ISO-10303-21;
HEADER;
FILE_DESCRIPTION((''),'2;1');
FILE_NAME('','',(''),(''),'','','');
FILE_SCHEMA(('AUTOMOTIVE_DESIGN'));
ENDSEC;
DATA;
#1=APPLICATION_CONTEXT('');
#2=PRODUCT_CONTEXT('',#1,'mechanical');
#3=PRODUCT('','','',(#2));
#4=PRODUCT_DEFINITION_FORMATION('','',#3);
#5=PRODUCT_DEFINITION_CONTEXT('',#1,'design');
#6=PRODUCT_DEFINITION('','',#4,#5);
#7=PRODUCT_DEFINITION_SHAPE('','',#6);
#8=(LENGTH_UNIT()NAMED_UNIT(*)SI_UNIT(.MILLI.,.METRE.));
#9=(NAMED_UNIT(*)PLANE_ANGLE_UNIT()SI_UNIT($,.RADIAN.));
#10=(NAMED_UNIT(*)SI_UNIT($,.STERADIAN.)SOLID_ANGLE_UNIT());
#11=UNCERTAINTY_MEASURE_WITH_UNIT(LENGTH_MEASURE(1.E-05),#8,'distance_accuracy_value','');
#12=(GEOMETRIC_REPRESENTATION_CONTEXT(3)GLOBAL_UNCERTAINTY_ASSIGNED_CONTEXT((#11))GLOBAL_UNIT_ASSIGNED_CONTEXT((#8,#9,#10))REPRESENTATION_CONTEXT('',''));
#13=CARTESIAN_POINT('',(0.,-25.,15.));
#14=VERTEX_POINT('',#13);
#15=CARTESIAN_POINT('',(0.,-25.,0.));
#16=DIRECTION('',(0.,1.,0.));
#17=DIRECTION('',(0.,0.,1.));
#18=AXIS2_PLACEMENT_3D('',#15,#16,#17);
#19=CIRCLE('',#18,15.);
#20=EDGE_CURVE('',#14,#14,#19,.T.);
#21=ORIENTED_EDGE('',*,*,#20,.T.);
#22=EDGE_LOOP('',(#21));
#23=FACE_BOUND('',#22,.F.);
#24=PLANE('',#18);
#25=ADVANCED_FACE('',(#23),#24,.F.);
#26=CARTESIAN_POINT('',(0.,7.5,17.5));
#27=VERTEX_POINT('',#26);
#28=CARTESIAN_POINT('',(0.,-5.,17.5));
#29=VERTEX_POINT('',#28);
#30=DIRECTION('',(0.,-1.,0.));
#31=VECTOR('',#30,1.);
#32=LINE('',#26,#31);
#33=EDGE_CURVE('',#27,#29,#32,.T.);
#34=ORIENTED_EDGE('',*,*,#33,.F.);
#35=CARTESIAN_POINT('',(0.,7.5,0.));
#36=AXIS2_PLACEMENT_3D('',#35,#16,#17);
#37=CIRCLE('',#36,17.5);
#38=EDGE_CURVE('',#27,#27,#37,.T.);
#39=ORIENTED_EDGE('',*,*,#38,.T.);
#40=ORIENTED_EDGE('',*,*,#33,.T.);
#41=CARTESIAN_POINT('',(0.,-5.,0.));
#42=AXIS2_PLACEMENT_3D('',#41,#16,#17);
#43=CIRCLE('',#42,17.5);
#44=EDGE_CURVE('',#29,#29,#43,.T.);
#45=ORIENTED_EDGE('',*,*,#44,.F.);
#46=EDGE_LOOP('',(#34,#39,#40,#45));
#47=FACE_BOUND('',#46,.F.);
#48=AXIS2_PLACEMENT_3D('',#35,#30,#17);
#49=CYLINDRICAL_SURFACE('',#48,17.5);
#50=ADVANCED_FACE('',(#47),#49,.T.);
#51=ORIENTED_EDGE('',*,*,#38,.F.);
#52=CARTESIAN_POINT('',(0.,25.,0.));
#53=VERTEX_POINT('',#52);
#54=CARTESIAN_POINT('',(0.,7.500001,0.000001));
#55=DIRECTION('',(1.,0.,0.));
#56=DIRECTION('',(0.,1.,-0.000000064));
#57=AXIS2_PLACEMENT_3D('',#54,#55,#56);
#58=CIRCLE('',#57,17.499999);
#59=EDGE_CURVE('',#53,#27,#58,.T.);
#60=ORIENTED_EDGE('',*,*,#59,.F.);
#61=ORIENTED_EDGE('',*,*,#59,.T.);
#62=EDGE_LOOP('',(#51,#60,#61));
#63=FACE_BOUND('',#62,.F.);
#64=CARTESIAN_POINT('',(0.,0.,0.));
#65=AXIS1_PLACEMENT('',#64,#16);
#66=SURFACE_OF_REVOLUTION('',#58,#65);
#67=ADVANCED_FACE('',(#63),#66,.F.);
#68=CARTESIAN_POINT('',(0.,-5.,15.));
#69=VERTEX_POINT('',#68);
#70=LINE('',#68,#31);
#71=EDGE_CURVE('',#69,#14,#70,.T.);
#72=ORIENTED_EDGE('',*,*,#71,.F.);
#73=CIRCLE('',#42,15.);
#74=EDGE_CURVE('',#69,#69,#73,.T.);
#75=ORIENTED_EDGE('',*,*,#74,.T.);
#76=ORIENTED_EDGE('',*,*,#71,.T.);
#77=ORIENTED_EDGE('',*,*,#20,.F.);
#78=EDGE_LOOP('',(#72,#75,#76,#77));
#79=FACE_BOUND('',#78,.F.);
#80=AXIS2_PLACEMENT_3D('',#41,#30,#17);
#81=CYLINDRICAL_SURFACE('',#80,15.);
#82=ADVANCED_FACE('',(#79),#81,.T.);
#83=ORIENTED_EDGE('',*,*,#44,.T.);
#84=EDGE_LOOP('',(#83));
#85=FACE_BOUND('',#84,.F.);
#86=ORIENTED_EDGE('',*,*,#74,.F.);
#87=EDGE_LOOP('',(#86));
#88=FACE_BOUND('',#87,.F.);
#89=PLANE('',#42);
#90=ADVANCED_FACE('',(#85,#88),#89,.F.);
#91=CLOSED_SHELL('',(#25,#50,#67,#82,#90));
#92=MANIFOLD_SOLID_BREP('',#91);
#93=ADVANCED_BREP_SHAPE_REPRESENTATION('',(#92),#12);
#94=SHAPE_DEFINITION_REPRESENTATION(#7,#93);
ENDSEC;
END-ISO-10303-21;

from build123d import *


with BuildPart() as f1:
    # F0 (on Right) → F1 (revolve)
    with BuildSketch(Plane.YZ):
        with BuildLine():
            Line((-25, 15), (-25, 0))
            Line((-25, 0), (25, 0))
            ThreePointArc((25, 0), (19.874369, 12.374369), (7.5, 17.5))
            Line((7.5, 17.5), (-5, 17.5))
            Line((-5, 17.5), (-5, 15))
            Line((-5, 15), (-25, 15))
        make_face()
    revolve(axis=Axis((0, 0, 0), (0, 1, 0)))


solid = f1.part
